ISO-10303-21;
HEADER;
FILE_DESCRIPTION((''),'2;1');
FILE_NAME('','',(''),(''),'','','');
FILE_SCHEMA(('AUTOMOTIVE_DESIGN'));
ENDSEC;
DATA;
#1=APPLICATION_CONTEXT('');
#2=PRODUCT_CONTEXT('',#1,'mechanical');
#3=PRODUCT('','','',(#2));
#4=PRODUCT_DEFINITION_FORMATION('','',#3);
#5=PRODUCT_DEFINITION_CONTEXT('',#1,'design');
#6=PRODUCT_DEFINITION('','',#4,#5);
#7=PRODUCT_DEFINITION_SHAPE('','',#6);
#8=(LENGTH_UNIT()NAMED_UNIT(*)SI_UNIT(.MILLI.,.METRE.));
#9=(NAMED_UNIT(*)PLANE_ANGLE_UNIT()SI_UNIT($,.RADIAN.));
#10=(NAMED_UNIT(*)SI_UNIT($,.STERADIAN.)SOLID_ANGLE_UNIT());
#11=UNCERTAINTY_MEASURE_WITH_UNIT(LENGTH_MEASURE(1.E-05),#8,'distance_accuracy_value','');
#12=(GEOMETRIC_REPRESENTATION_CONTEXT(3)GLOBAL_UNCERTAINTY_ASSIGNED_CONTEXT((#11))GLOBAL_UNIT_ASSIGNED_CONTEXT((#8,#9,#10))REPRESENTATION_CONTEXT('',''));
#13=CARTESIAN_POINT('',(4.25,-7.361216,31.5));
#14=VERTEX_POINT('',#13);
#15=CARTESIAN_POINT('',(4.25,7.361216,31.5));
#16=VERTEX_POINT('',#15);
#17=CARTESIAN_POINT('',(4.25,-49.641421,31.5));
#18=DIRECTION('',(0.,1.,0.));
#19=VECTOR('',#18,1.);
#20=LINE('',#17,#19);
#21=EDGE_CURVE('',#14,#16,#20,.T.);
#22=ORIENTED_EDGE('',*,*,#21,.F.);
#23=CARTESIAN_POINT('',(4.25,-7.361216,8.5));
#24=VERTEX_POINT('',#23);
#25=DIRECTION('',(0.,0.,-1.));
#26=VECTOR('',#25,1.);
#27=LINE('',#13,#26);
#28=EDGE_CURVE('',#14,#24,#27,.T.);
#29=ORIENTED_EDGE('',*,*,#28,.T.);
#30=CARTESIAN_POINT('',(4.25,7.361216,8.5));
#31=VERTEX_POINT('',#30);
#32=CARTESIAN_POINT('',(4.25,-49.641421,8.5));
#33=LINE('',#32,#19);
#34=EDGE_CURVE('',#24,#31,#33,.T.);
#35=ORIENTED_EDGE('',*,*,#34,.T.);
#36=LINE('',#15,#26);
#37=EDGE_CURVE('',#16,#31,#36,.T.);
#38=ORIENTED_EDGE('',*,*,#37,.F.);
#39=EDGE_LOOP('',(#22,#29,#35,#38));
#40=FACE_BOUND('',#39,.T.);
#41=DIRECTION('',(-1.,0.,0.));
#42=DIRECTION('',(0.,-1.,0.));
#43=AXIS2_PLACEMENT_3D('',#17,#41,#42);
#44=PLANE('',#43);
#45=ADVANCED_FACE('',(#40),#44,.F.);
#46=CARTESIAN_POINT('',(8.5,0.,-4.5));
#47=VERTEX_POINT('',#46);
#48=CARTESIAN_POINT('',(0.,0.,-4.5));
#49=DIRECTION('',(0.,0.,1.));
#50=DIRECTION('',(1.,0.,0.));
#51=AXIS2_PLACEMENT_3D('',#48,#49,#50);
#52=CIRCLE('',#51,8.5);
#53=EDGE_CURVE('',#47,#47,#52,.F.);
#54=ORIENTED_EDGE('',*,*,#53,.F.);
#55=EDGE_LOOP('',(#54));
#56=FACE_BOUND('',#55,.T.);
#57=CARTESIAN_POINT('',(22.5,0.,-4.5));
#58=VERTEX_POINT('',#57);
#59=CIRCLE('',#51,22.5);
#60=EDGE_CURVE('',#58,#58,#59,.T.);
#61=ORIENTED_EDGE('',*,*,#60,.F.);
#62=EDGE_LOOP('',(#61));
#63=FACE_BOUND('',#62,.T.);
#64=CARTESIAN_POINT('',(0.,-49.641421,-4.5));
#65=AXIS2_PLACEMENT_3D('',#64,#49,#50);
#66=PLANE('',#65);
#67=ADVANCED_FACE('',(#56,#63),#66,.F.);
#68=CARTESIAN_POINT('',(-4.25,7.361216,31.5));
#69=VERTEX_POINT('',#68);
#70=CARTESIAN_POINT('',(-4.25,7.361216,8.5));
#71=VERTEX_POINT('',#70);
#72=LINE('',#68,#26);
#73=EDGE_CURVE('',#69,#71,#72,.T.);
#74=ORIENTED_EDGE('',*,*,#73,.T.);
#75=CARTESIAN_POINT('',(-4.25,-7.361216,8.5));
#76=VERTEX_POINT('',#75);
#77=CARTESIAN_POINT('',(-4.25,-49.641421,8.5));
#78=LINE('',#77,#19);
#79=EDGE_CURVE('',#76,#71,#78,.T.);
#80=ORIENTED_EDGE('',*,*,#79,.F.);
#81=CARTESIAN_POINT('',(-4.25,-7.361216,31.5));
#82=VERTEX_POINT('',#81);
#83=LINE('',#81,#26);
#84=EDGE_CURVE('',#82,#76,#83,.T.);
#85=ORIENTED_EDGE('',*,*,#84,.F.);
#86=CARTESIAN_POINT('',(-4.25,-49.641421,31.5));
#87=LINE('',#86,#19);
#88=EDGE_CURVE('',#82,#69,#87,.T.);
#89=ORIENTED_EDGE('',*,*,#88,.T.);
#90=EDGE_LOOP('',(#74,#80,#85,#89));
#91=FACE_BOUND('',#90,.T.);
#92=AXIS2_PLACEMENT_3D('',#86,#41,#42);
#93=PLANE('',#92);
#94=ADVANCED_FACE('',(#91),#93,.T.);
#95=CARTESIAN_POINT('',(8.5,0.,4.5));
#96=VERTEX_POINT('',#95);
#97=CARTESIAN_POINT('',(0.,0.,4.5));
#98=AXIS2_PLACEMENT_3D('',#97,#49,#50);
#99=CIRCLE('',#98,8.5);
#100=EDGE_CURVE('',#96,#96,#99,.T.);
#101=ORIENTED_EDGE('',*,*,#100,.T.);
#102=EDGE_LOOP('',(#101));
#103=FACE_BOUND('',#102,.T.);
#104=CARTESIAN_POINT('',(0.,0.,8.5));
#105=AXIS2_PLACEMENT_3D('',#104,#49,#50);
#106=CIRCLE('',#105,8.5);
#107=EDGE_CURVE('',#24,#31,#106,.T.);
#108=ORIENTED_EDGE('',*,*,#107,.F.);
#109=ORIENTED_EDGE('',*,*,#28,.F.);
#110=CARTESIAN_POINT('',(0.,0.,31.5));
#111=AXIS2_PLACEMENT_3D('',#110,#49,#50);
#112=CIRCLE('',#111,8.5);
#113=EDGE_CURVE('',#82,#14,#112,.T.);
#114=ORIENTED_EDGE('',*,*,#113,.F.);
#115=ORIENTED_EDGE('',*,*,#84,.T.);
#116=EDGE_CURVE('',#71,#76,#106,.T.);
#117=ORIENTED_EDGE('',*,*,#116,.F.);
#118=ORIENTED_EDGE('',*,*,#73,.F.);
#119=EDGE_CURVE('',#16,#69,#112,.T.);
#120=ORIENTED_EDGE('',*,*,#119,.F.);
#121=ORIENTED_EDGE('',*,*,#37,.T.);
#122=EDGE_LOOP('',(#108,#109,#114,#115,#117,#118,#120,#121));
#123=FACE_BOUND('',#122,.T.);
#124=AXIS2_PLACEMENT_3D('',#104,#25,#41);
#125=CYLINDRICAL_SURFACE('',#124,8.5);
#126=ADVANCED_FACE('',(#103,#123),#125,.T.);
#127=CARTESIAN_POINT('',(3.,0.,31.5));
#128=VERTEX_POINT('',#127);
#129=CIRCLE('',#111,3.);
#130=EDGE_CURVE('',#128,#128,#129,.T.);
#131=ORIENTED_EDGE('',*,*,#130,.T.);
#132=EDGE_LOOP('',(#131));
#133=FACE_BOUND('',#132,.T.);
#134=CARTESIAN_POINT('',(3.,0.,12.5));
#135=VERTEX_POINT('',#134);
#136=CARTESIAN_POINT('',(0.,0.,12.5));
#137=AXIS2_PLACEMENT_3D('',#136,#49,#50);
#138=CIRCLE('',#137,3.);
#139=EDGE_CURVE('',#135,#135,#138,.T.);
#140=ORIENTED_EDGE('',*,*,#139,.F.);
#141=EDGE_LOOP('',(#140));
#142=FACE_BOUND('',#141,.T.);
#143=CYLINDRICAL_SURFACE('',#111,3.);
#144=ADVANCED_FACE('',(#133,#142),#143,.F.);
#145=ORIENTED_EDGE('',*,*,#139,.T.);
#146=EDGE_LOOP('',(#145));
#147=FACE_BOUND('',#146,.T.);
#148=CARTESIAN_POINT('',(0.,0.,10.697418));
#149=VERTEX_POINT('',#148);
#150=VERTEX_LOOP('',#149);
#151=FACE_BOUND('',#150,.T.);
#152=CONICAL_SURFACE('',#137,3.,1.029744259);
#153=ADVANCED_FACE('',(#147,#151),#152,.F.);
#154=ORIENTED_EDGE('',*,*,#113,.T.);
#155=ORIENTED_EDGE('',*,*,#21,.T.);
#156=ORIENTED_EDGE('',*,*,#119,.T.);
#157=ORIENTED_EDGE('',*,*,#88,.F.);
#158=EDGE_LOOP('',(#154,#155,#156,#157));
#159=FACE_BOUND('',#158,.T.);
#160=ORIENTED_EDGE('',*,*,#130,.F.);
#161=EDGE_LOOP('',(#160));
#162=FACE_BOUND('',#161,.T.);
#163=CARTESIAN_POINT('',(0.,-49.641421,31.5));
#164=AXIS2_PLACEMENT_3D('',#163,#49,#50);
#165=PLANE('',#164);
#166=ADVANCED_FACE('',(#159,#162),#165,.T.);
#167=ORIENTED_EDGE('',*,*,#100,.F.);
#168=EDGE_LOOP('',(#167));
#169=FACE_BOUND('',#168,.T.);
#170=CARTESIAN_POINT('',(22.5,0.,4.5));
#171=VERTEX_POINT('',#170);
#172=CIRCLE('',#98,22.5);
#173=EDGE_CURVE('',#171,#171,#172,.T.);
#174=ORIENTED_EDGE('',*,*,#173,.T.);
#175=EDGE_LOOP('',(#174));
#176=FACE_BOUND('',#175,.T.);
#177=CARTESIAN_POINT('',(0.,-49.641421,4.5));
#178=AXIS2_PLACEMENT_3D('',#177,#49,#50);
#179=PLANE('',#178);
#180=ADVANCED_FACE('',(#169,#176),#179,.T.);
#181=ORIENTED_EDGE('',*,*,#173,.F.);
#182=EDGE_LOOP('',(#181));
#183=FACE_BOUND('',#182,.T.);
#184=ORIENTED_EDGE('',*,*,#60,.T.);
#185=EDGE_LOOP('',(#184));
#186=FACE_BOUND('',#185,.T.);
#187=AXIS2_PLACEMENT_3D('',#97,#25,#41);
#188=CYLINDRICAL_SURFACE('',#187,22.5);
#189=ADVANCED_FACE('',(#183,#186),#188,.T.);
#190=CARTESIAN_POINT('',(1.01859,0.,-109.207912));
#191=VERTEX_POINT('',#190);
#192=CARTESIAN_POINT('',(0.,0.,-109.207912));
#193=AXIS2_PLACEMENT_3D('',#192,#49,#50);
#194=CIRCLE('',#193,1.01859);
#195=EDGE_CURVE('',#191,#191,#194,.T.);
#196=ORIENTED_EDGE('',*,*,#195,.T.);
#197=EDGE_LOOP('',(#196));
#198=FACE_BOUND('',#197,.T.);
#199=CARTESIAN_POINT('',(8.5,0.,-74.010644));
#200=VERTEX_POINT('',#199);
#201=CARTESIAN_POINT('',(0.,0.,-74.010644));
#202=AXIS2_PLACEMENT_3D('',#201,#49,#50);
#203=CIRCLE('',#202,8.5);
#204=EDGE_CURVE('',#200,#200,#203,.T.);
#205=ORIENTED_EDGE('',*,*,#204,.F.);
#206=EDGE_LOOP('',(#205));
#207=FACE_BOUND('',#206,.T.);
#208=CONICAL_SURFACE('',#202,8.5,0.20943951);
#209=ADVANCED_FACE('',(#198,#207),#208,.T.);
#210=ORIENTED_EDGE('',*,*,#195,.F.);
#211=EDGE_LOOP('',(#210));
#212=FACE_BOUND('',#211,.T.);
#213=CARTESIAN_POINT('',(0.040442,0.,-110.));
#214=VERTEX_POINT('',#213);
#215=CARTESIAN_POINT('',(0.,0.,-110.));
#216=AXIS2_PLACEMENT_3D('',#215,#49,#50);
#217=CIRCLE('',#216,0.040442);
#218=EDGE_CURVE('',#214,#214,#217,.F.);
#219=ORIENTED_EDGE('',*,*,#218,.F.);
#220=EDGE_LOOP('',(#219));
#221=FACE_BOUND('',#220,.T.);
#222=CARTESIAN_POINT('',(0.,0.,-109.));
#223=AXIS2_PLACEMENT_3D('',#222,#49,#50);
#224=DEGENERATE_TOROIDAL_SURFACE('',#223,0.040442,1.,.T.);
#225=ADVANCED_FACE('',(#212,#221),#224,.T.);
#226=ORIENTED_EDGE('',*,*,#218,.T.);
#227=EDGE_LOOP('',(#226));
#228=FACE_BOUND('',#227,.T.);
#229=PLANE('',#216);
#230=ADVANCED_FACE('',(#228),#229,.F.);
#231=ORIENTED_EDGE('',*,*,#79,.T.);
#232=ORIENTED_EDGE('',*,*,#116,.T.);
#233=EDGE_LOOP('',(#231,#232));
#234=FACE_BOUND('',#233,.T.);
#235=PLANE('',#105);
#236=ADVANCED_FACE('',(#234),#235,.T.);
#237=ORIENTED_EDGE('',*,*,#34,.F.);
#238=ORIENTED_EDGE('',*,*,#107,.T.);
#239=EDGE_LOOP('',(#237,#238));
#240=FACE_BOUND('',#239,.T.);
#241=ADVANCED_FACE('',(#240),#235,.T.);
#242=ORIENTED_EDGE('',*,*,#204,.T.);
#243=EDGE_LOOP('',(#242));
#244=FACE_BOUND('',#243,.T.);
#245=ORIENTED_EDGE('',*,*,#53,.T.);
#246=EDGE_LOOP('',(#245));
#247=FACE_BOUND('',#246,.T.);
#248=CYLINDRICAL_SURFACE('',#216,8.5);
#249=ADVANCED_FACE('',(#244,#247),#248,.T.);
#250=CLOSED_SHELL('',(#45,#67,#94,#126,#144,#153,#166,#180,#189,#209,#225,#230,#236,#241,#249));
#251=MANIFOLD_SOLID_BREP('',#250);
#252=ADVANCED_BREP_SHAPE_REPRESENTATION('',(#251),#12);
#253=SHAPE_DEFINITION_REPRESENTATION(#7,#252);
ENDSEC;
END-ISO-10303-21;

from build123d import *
from build123d.topology import SkipClean

# Parameters (mm, degrees)
SKETCH1_R                 = 8.5
BASE_EXTRUDE_DEPTH        = 110
SKETCH1_4_R               = 22.5
FRONT_CAP_DEPTH           = 4.5
END_BEVEL_FILLET_R        = 1
SKETCH7_R                 = 8.5
FRONT_KNOB_DEPTH          = 4
FRONT_KNOB_SLOT_DEPTH     = 23
M7X1_0_TAPPED_HOLE1_D     = 6
M7X1_0_TAPPED_HOLE1_DEPTH = 19
M7X1_0_TAPPED_HOLE1_TIP   = 1.802581857


with BuildPart() as part:
    # Sketch1 → Base Extrude (new body)
    with BuildSketch(Plane.XY):
        Circle(SKETCH1_R)
    extrude(amount=-BASE_EXTRUDE_DEPTH)

    # Sketch1_4 → Front Cap (add, symmetric)
    with BuildSketch(Plane.XY):
        Circle(SKETCH1_4_R)
    extrude(amount=FRONT_CAP_DEPTH, both=True)

    # Sketch3 → End Bevel (revolve, cut)
    with BuildSketch(Plane(origin=(0, 0, 0), x_dir=(0, 0, -1), z_dir=(1, 0, 0)), mode=Mode.PRIVATE) as end_bevel_sk:
        Polygon((74.010644069, 8.5), (114, 0), (124.010644069, 0), (124.010644069, 25), (74.010644069, 25), align=None)
    revolve(end_bevel_sk.sketch.rotate(Axis((0, 0, -92.509493434), (0, 0, -1)), 90), axis=Axis((0, 0, -92.509493434), (0, 0, -1)), mode=Mode.SUBTRACT)  # turned: the seam where the file's is

    # End Bevel Fillet
    end_bevel_fillet_edges = [part.edges().sort_by_distance(p)[0] for p in [
        (-0.850226247, 0, -110),
    ]]
    fillet(end_bevel_fillet_edges, radius=END_BEVEL_FILLET_R)

    # Sketch7 → Front Knob (add)
    with BuildSketch(Plane.XY.offset(4.5)):
        Circle(SKETCH7_R)
    extrude(amount=FRONT_KNOB_DEPTH)

    # Sketch6 → Front Knob Slot (add)
    with SkipClean():  # keep this step's faces unmerged: merging them makes the solid invalid here
        with BuildSketch(Plane.XY.offset(8.5)):
            with BuildLine():
                Line((-4.25, -7.361215932), (-4.25, 7.361215932))
                ThreePointArc((-4.25, 7.361215932), (0, 8.5), (4.25, 7.361215932))
                Line((4.25, 7.361215932), (4.25, -7.361215932))
                ThreePointArc((4.25, -7.361215932), (0, -8.5), (-4.25, -7.361215932))
            make_face()
        extrude(amount=FRONT_KNOB_SLOT_DEPTH)

    # M7x1.0 Tapped Hole1
    with Locations(Plane.XY.offset(31.5)):
        with Locations((0, 0)):
            Hole(M7X1_0_TAPPED_HOLE1_D / 2, depth=M7X1_0_TAPPED_HOLE1_DEPTH)
            with Locations((0, 0, -(M7X1_0_TAPPED_HOLE1_DEPTH + M7X1_0_TAPPED_HOLE1_TIP / 2))):  # 118° drill point
                Cone(0, M7X1_0_TAPPED_HOLE1_D / 2, M7X1_0_TAPPED_HOLE1_TIP, mode=Mode.SUBTRACT)


solid = part.part
